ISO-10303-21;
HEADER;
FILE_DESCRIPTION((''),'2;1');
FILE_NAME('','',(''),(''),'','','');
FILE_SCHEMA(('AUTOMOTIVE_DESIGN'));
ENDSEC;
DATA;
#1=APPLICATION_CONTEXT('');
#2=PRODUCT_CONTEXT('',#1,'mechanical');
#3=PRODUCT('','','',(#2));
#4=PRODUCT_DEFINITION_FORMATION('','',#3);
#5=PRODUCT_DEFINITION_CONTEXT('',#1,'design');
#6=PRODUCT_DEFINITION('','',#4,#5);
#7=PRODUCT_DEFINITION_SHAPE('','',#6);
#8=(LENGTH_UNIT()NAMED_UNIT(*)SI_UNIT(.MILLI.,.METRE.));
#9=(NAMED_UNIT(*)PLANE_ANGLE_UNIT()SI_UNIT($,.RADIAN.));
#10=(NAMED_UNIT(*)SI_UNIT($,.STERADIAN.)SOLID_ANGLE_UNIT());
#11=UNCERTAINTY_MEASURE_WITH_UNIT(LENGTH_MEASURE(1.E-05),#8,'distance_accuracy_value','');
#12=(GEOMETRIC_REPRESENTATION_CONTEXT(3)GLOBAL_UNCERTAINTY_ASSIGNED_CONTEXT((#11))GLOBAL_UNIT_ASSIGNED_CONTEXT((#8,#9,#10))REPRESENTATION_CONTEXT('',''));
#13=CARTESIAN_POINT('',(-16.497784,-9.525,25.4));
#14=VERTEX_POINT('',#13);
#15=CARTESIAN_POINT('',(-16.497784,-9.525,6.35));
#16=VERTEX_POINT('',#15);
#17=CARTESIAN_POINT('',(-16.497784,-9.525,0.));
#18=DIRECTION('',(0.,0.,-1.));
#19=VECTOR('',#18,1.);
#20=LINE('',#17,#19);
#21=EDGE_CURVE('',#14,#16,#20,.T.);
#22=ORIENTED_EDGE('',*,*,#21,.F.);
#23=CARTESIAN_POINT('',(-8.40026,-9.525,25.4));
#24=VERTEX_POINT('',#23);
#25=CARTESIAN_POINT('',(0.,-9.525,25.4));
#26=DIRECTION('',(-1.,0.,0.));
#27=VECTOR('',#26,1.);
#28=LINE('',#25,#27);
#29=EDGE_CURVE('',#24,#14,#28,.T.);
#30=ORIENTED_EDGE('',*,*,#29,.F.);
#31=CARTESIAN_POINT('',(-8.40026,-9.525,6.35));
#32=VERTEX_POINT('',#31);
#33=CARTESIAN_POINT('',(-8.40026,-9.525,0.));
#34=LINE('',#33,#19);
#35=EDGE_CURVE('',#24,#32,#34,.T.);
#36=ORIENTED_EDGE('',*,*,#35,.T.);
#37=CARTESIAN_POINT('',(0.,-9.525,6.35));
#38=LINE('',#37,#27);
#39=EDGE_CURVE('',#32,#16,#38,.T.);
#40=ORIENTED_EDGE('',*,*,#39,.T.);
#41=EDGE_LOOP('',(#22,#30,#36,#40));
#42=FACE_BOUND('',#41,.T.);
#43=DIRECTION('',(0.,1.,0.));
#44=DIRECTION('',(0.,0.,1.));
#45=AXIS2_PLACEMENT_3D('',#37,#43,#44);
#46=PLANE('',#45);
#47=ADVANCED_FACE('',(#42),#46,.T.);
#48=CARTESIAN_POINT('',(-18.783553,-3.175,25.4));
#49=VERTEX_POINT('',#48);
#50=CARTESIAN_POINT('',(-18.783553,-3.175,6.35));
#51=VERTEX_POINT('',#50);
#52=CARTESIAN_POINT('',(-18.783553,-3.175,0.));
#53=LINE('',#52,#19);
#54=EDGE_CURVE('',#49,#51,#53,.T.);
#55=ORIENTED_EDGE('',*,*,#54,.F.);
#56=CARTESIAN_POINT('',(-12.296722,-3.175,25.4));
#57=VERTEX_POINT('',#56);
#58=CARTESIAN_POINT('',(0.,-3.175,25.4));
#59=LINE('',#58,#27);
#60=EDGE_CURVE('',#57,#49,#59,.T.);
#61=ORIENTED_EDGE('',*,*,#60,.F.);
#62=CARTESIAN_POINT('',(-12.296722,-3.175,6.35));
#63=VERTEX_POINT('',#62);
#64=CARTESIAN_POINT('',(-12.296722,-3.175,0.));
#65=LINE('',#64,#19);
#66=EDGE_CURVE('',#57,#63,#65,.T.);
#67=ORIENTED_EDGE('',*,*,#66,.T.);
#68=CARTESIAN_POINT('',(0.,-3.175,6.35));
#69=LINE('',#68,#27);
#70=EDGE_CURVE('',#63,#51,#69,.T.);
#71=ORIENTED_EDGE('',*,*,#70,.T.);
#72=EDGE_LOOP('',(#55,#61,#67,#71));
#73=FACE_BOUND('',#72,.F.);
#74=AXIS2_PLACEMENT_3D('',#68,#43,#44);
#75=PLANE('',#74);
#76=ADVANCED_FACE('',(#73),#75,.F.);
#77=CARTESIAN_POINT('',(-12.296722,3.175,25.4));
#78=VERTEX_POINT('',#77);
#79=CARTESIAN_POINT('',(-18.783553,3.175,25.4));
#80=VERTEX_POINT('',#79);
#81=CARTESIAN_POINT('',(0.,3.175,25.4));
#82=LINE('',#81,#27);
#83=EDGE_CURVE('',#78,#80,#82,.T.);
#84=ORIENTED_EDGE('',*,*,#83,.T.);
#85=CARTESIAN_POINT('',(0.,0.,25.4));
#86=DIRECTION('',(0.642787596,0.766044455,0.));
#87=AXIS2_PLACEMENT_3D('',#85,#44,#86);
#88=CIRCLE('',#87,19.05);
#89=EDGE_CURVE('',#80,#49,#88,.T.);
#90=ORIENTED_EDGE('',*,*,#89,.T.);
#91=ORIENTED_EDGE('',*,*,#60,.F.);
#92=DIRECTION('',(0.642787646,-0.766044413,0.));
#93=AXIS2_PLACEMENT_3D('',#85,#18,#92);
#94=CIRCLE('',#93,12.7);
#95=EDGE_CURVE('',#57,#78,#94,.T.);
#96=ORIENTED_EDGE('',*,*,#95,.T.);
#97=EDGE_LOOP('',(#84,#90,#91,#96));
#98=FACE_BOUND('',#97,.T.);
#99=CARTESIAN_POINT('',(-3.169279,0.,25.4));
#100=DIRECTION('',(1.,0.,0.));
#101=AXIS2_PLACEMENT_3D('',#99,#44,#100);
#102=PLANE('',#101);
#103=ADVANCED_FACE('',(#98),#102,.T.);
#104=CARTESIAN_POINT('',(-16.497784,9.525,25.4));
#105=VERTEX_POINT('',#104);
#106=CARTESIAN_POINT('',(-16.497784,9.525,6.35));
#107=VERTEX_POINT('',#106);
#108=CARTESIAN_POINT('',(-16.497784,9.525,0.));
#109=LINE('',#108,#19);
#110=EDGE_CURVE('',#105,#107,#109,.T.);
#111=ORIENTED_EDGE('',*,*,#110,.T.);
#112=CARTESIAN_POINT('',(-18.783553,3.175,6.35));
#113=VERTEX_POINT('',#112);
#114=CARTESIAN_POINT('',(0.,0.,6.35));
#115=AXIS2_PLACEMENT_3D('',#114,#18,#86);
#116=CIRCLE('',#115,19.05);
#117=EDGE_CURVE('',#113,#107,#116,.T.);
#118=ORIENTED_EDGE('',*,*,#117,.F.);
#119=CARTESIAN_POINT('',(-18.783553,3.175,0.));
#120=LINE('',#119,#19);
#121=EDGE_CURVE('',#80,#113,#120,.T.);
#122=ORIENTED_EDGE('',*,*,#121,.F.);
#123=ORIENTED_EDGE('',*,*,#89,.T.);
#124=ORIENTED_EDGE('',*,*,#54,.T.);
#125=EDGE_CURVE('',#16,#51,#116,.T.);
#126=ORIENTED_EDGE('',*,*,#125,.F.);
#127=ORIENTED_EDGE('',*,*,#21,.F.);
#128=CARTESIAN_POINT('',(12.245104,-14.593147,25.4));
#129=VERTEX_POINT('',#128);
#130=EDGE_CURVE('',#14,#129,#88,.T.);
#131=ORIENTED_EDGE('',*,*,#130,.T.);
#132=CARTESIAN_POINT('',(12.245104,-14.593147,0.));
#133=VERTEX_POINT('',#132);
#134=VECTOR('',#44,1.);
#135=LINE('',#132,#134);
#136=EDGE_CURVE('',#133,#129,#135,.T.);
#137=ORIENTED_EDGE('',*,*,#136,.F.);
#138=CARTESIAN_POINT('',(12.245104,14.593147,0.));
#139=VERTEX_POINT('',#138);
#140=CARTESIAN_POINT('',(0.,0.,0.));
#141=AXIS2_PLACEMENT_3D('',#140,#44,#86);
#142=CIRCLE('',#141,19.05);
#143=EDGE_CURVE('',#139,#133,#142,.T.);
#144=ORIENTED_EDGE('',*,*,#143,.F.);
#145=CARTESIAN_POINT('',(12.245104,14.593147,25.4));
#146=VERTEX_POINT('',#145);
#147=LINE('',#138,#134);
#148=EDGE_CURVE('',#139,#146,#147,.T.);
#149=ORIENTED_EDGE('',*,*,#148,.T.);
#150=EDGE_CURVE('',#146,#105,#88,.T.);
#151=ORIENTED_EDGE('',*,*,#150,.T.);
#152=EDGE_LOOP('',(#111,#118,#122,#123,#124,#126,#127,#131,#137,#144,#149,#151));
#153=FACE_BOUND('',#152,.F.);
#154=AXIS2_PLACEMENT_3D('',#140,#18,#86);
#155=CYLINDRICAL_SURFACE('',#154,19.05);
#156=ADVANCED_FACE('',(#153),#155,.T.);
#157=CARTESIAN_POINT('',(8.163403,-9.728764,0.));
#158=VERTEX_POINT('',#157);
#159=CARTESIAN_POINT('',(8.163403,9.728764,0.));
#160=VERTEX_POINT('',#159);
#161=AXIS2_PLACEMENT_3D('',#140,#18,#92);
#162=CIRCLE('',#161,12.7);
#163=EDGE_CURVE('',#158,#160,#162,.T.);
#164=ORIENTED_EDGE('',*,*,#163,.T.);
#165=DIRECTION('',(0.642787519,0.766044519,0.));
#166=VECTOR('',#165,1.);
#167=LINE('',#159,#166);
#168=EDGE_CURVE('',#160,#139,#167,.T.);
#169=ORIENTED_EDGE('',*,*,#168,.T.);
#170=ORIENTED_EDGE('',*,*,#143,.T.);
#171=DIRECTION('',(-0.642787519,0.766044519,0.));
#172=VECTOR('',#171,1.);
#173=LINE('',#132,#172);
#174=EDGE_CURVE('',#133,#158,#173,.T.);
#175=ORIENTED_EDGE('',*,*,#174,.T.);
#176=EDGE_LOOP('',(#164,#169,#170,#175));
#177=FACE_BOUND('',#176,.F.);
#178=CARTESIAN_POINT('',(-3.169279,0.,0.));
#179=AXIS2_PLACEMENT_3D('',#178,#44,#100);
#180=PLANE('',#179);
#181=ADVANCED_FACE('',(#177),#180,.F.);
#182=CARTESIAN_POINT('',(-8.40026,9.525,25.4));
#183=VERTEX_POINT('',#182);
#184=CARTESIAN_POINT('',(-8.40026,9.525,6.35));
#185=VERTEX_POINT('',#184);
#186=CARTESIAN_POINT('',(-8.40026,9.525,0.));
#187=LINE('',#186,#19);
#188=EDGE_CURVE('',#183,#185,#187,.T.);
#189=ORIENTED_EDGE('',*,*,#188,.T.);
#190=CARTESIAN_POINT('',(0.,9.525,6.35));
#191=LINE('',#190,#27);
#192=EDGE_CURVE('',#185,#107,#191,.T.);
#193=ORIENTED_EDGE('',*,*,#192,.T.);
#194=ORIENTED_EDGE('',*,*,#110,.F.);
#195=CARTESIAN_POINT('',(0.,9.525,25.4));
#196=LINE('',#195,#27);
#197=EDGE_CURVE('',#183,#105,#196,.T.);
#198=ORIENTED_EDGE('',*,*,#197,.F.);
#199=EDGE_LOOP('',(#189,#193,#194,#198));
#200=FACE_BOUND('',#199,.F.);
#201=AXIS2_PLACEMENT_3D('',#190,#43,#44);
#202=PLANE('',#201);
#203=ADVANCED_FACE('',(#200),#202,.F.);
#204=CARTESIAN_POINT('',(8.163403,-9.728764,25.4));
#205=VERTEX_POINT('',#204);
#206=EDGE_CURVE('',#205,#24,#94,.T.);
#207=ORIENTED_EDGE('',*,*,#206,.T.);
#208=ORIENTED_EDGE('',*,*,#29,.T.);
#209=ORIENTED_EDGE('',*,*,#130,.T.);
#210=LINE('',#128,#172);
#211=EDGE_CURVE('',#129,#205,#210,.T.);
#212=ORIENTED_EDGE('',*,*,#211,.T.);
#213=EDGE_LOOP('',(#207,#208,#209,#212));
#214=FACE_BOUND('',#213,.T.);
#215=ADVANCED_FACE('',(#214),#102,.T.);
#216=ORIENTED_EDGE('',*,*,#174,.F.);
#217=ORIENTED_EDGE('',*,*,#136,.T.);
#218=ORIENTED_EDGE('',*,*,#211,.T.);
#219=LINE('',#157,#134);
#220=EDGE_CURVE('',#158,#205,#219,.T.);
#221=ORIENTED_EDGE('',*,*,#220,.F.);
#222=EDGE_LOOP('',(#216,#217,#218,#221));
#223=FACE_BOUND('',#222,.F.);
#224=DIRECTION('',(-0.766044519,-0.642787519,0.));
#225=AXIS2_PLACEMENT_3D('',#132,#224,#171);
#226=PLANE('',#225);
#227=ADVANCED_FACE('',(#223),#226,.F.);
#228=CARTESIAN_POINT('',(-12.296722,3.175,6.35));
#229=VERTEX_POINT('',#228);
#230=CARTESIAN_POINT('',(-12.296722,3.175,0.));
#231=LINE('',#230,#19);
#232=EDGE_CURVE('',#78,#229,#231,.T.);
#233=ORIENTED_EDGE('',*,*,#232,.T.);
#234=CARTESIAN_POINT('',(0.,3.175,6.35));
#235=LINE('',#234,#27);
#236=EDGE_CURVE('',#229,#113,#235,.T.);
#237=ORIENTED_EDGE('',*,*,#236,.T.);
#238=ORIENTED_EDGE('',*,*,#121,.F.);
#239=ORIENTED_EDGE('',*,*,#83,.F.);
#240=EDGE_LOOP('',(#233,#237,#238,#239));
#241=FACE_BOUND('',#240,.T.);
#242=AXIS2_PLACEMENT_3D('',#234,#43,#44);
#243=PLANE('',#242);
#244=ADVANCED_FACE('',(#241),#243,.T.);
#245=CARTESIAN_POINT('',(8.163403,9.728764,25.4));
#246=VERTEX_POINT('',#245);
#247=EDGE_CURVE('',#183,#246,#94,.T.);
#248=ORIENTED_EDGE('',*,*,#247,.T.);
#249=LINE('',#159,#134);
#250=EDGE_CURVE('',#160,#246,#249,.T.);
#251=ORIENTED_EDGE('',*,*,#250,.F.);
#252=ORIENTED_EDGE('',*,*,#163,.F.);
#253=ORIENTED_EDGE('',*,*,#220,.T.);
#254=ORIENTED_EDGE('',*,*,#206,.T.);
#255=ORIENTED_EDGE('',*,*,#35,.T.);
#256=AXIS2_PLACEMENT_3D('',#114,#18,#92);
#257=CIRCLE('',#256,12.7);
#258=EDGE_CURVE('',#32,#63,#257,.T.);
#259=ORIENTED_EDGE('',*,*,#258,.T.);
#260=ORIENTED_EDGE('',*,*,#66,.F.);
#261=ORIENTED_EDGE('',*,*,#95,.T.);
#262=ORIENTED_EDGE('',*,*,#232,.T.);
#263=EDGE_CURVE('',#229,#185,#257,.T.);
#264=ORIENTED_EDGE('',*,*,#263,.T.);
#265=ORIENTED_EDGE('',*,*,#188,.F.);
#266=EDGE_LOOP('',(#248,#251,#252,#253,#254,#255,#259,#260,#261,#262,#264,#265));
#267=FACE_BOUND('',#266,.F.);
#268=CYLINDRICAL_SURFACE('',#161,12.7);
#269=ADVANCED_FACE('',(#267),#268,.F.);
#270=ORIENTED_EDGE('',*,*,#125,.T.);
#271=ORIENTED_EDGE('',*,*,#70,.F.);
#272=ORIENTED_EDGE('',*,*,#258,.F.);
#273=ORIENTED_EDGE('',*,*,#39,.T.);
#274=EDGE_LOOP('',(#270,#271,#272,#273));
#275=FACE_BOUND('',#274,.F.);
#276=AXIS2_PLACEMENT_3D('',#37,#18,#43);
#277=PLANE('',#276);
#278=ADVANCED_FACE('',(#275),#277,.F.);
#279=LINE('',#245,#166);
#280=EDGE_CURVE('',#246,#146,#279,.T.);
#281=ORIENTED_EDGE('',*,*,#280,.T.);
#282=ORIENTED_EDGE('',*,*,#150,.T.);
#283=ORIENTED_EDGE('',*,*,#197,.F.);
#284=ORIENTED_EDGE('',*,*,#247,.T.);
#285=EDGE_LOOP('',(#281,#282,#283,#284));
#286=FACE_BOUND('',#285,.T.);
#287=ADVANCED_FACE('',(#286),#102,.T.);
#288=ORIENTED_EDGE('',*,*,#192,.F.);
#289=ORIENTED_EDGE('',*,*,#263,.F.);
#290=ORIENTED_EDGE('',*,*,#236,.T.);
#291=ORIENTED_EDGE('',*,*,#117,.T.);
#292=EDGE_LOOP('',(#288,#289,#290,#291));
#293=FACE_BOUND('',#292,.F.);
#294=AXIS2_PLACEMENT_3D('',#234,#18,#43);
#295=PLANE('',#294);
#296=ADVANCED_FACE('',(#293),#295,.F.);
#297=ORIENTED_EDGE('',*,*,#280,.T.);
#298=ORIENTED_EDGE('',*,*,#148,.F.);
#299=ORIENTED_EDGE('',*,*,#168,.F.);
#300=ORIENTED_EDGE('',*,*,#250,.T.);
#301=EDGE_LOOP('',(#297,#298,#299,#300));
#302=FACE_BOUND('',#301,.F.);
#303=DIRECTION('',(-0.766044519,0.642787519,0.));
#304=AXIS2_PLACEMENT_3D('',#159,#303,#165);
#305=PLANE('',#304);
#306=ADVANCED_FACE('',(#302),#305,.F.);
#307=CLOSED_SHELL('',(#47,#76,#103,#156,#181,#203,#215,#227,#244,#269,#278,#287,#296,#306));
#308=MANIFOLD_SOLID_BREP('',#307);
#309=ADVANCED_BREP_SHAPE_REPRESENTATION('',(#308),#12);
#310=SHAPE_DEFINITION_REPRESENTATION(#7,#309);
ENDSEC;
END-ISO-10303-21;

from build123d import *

# Parameters (mm, degrees)
F1_DEPTH = 25.4
F2_W     = 6.35
F2_H     = 19.05
F3_DEPTH = 25.4


with BuildPart() as f1:
    # F0 (on Top) → F1 (new body)
    with BuildSketch(Plane.XY):
        with BuildLine():
            Line((8.163403, 9.728764), (12.245104, 14.593147))
            ThreePointArc((12.245104, 14.593147), (-19.05, 0), (12.245104, -14.593147))
            Line((12.245104, -14.593147), (8.163403, -9.728764))
            ThreePointArc((8.163403, -9.728764), (-12.7, 0), (8.163403, 9.728764))
        make_face()
    extrude(amount=F1_DEPTH)

    # F2 (on Right) → F3 (cut)
    with BuildSketch(Plane.YZ):
        with Locations((6.35, 15.875)):
            Rectangle(F2_W, F2_H)
        with Locations((-6.35, 15.875)):
            Rectangle(F2_W, F2_H)
    extrude(amount=-F3_DEPTH, mode=Mode.SUBTRACT)


solid = f1.part
